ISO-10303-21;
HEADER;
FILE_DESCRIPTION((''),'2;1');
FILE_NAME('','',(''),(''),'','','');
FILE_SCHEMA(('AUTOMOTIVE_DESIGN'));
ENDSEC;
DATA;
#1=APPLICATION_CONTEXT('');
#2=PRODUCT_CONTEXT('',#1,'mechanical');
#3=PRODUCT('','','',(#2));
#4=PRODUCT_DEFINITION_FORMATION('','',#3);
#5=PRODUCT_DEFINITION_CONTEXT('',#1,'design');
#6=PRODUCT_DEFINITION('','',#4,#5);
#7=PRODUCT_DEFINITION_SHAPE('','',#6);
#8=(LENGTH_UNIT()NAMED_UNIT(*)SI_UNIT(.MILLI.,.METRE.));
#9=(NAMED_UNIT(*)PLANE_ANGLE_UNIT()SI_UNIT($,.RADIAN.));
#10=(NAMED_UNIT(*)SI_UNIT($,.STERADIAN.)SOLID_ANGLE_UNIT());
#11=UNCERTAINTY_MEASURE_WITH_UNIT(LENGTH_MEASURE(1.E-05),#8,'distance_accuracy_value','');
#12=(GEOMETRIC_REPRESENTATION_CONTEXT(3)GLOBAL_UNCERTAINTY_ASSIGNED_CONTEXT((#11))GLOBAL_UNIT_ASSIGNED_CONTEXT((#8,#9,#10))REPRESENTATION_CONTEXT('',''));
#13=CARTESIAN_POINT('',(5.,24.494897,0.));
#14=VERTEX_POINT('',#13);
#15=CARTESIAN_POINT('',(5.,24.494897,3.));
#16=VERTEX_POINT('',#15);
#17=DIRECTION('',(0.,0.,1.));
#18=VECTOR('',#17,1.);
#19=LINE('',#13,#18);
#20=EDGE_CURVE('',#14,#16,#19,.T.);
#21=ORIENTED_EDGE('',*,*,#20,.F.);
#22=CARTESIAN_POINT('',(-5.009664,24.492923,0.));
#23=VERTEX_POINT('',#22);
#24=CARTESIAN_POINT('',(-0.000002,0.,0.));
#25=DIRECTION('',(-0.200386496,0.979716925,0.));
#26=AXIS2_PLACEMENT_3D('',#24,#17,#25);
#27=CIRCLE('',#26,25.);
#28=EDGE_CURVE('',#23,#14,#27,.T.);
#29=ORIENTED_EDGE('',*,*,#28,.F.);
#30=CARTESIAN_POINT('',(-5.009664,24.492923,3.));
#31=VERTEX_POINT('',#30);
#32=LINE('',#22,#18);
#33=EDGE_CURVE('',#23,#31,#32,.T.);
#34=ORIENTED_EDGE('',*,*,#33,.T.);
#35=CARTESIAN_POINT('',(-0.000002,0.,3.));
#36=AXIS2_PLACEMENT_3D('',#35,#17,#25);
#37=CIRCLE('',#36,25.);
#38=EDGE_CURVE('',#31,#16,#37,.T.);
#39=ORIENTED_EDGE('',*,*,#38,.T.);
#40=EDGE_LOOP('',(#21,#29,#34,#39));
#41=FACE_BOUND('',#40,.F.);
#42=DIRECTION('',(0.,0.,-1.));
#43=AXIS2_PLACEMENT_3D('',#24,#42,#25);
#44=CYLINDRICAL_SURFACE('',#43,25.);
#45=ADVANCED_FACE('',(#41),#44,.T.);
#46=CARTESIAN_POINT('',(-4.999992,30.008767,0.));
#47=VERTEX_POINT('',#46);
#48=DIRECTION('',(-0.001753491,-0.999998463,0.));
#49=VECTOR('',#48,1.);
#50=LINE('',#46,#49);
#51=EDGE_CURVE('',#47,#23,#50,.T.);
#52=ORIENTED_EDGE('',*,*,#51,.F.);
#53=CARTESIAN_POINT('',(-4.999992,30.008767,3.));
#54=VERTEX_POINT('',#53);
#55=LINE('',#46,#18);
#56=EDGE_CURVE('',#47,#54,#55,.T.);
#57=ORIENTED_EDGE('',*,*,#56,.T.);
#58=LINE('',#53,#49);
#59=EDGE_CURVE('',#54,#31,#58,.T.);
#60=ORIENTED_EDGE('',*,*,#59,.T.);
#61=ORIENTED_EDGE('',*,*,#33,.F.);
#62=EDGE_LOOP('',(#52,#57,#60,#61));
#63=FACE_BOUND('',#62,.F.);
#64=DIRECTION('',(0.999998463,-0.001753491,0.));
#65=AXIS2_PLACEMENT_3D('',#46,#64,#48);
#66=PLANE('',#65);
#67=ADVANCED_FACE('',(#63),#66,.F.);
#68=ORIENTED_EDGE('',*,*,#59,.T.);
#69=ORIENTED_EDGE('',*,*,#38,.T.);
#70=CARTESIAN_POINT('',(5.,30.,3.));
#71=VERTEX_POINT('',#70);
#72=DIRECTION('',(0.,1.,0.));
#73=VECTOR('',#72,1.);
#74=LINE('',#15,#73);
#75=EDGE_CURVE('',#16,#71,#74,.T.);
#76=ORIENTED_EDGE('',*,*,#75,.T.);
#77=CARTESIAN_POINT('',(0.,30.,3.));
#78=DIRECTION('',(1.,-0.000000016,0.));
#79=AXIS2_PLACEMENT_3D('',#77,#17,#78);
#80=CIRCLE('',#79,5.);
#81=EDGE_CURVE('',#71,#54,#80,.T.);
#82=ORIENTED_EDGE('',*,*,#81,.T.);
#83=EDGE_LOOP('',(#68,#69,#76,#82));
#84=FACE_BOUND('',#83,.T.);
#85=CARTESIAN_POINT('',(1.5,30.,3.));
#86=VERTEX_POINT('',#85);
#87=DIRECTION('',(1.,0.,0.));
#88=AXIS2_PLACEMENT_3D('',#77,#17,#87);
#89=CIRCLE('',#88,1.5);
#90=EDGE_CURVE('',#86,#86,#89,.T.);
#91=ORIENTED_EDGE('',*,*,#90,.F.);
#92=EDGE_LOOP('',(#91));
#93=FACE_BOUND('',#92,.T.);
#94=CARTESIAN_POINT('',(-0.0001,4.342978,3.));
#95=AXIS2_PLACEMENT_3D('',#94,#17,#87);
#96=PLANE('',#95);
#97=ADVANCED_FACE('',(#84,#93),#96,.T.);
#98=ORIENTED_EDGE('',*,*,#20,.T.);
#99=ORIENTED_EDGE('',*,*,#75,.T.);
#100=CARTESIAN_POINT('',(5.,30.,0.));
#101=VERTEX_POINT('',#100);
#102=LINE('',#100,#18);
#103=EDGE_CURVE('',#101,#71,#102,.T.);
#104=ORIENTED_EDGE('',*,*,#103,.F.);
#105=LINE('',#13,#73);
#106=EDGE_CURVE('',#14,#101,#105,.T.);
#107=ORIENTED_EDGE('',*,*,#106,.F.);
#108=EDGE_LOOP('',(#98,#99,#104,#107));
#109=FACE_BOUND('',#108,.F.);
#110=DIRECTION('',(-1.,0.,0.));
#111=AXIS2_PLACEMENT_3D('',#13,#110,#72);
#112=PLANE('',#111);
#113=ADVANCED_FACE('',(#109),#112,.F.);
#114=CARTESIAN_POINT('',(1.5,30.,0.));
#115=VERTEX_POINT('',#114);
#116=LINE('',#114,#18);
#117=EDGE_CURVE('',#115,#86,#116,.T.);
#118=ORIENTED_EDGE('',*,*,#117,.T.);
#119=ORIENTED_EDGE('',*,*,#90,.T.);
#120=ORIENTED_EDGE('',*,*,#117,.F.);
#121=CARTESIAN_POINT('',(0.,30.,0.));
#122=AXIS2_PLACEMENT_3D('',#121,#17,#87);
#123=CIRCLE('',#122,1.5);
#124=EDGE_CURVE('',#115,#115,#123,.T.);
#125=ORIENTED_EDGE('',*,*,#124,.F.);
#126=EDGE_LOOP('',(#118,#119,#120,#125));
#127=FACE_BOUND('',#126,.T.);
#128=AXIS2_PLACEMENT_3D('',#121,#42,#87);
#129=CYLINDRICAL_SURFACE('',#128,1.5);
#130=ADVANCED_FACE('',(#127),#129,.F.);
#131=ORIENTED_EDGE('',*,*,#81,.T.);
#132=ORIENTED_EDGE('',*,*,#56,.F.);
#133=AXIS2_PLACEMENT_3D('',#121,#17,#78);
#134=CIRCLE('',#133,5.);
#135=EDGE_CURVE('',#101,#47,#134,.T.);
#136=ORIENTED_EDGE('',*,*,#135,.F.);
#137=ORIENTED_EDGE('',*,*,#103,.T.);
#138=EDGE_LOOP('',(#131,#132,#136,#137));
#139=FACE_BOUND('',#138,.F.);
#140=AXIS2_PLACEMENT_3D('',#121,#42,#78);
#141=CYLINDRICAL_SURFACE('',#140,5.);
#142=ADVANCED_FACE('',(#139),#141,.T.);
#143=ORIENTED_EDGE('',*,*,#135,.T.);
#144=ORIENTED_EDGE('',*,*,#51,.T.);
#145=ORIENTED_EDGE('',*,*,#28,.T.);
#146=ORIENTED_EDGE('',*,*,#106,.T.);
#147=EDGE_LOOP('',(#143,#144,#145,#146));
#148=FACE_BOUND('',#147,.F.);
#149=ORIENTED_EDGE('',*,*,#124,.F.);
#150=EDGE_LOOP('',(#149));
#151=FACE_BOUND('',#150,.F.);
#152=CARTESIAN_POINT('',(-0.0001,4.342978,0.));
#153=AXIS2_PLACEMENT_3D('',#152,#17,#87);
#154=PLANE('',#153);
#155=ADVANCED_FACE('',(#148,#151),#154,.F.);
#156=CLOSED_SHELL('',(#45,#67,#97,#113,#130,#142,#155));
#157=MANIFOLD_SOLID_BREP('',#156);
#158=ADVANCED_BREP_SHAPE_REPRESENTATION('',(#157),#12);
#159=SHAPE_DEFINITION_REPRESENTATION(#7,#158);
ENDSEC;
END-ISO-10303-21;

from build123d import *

# Parameters (mm, degrees)
F0_R     = 1.5
F1_DEPTH = 3


with BuildPart() as f1:
    # F0 (on Top) → F1 (new body)
    with BuildSketch(Plane.XY):
        with BuildLine():
            Line((-4.999992, 30.008767), (-5.009664, 24.492923))
            ThreePointArc((-5.009664, 24.492923), (0.004932, -25), (5, 24.494897))
            Line((5, 24.494897), (5, 30))
            ThreePointArc((5, 30), (0.004383, 34.999998), (-4.999992, 30.008767))
        make_face()
        with Locations((0, 30)):
            Circle(F0_R, mode=Mode.SUBTRACT)
    extrude(amount=F1_DEPTH)


solid = f1.part
